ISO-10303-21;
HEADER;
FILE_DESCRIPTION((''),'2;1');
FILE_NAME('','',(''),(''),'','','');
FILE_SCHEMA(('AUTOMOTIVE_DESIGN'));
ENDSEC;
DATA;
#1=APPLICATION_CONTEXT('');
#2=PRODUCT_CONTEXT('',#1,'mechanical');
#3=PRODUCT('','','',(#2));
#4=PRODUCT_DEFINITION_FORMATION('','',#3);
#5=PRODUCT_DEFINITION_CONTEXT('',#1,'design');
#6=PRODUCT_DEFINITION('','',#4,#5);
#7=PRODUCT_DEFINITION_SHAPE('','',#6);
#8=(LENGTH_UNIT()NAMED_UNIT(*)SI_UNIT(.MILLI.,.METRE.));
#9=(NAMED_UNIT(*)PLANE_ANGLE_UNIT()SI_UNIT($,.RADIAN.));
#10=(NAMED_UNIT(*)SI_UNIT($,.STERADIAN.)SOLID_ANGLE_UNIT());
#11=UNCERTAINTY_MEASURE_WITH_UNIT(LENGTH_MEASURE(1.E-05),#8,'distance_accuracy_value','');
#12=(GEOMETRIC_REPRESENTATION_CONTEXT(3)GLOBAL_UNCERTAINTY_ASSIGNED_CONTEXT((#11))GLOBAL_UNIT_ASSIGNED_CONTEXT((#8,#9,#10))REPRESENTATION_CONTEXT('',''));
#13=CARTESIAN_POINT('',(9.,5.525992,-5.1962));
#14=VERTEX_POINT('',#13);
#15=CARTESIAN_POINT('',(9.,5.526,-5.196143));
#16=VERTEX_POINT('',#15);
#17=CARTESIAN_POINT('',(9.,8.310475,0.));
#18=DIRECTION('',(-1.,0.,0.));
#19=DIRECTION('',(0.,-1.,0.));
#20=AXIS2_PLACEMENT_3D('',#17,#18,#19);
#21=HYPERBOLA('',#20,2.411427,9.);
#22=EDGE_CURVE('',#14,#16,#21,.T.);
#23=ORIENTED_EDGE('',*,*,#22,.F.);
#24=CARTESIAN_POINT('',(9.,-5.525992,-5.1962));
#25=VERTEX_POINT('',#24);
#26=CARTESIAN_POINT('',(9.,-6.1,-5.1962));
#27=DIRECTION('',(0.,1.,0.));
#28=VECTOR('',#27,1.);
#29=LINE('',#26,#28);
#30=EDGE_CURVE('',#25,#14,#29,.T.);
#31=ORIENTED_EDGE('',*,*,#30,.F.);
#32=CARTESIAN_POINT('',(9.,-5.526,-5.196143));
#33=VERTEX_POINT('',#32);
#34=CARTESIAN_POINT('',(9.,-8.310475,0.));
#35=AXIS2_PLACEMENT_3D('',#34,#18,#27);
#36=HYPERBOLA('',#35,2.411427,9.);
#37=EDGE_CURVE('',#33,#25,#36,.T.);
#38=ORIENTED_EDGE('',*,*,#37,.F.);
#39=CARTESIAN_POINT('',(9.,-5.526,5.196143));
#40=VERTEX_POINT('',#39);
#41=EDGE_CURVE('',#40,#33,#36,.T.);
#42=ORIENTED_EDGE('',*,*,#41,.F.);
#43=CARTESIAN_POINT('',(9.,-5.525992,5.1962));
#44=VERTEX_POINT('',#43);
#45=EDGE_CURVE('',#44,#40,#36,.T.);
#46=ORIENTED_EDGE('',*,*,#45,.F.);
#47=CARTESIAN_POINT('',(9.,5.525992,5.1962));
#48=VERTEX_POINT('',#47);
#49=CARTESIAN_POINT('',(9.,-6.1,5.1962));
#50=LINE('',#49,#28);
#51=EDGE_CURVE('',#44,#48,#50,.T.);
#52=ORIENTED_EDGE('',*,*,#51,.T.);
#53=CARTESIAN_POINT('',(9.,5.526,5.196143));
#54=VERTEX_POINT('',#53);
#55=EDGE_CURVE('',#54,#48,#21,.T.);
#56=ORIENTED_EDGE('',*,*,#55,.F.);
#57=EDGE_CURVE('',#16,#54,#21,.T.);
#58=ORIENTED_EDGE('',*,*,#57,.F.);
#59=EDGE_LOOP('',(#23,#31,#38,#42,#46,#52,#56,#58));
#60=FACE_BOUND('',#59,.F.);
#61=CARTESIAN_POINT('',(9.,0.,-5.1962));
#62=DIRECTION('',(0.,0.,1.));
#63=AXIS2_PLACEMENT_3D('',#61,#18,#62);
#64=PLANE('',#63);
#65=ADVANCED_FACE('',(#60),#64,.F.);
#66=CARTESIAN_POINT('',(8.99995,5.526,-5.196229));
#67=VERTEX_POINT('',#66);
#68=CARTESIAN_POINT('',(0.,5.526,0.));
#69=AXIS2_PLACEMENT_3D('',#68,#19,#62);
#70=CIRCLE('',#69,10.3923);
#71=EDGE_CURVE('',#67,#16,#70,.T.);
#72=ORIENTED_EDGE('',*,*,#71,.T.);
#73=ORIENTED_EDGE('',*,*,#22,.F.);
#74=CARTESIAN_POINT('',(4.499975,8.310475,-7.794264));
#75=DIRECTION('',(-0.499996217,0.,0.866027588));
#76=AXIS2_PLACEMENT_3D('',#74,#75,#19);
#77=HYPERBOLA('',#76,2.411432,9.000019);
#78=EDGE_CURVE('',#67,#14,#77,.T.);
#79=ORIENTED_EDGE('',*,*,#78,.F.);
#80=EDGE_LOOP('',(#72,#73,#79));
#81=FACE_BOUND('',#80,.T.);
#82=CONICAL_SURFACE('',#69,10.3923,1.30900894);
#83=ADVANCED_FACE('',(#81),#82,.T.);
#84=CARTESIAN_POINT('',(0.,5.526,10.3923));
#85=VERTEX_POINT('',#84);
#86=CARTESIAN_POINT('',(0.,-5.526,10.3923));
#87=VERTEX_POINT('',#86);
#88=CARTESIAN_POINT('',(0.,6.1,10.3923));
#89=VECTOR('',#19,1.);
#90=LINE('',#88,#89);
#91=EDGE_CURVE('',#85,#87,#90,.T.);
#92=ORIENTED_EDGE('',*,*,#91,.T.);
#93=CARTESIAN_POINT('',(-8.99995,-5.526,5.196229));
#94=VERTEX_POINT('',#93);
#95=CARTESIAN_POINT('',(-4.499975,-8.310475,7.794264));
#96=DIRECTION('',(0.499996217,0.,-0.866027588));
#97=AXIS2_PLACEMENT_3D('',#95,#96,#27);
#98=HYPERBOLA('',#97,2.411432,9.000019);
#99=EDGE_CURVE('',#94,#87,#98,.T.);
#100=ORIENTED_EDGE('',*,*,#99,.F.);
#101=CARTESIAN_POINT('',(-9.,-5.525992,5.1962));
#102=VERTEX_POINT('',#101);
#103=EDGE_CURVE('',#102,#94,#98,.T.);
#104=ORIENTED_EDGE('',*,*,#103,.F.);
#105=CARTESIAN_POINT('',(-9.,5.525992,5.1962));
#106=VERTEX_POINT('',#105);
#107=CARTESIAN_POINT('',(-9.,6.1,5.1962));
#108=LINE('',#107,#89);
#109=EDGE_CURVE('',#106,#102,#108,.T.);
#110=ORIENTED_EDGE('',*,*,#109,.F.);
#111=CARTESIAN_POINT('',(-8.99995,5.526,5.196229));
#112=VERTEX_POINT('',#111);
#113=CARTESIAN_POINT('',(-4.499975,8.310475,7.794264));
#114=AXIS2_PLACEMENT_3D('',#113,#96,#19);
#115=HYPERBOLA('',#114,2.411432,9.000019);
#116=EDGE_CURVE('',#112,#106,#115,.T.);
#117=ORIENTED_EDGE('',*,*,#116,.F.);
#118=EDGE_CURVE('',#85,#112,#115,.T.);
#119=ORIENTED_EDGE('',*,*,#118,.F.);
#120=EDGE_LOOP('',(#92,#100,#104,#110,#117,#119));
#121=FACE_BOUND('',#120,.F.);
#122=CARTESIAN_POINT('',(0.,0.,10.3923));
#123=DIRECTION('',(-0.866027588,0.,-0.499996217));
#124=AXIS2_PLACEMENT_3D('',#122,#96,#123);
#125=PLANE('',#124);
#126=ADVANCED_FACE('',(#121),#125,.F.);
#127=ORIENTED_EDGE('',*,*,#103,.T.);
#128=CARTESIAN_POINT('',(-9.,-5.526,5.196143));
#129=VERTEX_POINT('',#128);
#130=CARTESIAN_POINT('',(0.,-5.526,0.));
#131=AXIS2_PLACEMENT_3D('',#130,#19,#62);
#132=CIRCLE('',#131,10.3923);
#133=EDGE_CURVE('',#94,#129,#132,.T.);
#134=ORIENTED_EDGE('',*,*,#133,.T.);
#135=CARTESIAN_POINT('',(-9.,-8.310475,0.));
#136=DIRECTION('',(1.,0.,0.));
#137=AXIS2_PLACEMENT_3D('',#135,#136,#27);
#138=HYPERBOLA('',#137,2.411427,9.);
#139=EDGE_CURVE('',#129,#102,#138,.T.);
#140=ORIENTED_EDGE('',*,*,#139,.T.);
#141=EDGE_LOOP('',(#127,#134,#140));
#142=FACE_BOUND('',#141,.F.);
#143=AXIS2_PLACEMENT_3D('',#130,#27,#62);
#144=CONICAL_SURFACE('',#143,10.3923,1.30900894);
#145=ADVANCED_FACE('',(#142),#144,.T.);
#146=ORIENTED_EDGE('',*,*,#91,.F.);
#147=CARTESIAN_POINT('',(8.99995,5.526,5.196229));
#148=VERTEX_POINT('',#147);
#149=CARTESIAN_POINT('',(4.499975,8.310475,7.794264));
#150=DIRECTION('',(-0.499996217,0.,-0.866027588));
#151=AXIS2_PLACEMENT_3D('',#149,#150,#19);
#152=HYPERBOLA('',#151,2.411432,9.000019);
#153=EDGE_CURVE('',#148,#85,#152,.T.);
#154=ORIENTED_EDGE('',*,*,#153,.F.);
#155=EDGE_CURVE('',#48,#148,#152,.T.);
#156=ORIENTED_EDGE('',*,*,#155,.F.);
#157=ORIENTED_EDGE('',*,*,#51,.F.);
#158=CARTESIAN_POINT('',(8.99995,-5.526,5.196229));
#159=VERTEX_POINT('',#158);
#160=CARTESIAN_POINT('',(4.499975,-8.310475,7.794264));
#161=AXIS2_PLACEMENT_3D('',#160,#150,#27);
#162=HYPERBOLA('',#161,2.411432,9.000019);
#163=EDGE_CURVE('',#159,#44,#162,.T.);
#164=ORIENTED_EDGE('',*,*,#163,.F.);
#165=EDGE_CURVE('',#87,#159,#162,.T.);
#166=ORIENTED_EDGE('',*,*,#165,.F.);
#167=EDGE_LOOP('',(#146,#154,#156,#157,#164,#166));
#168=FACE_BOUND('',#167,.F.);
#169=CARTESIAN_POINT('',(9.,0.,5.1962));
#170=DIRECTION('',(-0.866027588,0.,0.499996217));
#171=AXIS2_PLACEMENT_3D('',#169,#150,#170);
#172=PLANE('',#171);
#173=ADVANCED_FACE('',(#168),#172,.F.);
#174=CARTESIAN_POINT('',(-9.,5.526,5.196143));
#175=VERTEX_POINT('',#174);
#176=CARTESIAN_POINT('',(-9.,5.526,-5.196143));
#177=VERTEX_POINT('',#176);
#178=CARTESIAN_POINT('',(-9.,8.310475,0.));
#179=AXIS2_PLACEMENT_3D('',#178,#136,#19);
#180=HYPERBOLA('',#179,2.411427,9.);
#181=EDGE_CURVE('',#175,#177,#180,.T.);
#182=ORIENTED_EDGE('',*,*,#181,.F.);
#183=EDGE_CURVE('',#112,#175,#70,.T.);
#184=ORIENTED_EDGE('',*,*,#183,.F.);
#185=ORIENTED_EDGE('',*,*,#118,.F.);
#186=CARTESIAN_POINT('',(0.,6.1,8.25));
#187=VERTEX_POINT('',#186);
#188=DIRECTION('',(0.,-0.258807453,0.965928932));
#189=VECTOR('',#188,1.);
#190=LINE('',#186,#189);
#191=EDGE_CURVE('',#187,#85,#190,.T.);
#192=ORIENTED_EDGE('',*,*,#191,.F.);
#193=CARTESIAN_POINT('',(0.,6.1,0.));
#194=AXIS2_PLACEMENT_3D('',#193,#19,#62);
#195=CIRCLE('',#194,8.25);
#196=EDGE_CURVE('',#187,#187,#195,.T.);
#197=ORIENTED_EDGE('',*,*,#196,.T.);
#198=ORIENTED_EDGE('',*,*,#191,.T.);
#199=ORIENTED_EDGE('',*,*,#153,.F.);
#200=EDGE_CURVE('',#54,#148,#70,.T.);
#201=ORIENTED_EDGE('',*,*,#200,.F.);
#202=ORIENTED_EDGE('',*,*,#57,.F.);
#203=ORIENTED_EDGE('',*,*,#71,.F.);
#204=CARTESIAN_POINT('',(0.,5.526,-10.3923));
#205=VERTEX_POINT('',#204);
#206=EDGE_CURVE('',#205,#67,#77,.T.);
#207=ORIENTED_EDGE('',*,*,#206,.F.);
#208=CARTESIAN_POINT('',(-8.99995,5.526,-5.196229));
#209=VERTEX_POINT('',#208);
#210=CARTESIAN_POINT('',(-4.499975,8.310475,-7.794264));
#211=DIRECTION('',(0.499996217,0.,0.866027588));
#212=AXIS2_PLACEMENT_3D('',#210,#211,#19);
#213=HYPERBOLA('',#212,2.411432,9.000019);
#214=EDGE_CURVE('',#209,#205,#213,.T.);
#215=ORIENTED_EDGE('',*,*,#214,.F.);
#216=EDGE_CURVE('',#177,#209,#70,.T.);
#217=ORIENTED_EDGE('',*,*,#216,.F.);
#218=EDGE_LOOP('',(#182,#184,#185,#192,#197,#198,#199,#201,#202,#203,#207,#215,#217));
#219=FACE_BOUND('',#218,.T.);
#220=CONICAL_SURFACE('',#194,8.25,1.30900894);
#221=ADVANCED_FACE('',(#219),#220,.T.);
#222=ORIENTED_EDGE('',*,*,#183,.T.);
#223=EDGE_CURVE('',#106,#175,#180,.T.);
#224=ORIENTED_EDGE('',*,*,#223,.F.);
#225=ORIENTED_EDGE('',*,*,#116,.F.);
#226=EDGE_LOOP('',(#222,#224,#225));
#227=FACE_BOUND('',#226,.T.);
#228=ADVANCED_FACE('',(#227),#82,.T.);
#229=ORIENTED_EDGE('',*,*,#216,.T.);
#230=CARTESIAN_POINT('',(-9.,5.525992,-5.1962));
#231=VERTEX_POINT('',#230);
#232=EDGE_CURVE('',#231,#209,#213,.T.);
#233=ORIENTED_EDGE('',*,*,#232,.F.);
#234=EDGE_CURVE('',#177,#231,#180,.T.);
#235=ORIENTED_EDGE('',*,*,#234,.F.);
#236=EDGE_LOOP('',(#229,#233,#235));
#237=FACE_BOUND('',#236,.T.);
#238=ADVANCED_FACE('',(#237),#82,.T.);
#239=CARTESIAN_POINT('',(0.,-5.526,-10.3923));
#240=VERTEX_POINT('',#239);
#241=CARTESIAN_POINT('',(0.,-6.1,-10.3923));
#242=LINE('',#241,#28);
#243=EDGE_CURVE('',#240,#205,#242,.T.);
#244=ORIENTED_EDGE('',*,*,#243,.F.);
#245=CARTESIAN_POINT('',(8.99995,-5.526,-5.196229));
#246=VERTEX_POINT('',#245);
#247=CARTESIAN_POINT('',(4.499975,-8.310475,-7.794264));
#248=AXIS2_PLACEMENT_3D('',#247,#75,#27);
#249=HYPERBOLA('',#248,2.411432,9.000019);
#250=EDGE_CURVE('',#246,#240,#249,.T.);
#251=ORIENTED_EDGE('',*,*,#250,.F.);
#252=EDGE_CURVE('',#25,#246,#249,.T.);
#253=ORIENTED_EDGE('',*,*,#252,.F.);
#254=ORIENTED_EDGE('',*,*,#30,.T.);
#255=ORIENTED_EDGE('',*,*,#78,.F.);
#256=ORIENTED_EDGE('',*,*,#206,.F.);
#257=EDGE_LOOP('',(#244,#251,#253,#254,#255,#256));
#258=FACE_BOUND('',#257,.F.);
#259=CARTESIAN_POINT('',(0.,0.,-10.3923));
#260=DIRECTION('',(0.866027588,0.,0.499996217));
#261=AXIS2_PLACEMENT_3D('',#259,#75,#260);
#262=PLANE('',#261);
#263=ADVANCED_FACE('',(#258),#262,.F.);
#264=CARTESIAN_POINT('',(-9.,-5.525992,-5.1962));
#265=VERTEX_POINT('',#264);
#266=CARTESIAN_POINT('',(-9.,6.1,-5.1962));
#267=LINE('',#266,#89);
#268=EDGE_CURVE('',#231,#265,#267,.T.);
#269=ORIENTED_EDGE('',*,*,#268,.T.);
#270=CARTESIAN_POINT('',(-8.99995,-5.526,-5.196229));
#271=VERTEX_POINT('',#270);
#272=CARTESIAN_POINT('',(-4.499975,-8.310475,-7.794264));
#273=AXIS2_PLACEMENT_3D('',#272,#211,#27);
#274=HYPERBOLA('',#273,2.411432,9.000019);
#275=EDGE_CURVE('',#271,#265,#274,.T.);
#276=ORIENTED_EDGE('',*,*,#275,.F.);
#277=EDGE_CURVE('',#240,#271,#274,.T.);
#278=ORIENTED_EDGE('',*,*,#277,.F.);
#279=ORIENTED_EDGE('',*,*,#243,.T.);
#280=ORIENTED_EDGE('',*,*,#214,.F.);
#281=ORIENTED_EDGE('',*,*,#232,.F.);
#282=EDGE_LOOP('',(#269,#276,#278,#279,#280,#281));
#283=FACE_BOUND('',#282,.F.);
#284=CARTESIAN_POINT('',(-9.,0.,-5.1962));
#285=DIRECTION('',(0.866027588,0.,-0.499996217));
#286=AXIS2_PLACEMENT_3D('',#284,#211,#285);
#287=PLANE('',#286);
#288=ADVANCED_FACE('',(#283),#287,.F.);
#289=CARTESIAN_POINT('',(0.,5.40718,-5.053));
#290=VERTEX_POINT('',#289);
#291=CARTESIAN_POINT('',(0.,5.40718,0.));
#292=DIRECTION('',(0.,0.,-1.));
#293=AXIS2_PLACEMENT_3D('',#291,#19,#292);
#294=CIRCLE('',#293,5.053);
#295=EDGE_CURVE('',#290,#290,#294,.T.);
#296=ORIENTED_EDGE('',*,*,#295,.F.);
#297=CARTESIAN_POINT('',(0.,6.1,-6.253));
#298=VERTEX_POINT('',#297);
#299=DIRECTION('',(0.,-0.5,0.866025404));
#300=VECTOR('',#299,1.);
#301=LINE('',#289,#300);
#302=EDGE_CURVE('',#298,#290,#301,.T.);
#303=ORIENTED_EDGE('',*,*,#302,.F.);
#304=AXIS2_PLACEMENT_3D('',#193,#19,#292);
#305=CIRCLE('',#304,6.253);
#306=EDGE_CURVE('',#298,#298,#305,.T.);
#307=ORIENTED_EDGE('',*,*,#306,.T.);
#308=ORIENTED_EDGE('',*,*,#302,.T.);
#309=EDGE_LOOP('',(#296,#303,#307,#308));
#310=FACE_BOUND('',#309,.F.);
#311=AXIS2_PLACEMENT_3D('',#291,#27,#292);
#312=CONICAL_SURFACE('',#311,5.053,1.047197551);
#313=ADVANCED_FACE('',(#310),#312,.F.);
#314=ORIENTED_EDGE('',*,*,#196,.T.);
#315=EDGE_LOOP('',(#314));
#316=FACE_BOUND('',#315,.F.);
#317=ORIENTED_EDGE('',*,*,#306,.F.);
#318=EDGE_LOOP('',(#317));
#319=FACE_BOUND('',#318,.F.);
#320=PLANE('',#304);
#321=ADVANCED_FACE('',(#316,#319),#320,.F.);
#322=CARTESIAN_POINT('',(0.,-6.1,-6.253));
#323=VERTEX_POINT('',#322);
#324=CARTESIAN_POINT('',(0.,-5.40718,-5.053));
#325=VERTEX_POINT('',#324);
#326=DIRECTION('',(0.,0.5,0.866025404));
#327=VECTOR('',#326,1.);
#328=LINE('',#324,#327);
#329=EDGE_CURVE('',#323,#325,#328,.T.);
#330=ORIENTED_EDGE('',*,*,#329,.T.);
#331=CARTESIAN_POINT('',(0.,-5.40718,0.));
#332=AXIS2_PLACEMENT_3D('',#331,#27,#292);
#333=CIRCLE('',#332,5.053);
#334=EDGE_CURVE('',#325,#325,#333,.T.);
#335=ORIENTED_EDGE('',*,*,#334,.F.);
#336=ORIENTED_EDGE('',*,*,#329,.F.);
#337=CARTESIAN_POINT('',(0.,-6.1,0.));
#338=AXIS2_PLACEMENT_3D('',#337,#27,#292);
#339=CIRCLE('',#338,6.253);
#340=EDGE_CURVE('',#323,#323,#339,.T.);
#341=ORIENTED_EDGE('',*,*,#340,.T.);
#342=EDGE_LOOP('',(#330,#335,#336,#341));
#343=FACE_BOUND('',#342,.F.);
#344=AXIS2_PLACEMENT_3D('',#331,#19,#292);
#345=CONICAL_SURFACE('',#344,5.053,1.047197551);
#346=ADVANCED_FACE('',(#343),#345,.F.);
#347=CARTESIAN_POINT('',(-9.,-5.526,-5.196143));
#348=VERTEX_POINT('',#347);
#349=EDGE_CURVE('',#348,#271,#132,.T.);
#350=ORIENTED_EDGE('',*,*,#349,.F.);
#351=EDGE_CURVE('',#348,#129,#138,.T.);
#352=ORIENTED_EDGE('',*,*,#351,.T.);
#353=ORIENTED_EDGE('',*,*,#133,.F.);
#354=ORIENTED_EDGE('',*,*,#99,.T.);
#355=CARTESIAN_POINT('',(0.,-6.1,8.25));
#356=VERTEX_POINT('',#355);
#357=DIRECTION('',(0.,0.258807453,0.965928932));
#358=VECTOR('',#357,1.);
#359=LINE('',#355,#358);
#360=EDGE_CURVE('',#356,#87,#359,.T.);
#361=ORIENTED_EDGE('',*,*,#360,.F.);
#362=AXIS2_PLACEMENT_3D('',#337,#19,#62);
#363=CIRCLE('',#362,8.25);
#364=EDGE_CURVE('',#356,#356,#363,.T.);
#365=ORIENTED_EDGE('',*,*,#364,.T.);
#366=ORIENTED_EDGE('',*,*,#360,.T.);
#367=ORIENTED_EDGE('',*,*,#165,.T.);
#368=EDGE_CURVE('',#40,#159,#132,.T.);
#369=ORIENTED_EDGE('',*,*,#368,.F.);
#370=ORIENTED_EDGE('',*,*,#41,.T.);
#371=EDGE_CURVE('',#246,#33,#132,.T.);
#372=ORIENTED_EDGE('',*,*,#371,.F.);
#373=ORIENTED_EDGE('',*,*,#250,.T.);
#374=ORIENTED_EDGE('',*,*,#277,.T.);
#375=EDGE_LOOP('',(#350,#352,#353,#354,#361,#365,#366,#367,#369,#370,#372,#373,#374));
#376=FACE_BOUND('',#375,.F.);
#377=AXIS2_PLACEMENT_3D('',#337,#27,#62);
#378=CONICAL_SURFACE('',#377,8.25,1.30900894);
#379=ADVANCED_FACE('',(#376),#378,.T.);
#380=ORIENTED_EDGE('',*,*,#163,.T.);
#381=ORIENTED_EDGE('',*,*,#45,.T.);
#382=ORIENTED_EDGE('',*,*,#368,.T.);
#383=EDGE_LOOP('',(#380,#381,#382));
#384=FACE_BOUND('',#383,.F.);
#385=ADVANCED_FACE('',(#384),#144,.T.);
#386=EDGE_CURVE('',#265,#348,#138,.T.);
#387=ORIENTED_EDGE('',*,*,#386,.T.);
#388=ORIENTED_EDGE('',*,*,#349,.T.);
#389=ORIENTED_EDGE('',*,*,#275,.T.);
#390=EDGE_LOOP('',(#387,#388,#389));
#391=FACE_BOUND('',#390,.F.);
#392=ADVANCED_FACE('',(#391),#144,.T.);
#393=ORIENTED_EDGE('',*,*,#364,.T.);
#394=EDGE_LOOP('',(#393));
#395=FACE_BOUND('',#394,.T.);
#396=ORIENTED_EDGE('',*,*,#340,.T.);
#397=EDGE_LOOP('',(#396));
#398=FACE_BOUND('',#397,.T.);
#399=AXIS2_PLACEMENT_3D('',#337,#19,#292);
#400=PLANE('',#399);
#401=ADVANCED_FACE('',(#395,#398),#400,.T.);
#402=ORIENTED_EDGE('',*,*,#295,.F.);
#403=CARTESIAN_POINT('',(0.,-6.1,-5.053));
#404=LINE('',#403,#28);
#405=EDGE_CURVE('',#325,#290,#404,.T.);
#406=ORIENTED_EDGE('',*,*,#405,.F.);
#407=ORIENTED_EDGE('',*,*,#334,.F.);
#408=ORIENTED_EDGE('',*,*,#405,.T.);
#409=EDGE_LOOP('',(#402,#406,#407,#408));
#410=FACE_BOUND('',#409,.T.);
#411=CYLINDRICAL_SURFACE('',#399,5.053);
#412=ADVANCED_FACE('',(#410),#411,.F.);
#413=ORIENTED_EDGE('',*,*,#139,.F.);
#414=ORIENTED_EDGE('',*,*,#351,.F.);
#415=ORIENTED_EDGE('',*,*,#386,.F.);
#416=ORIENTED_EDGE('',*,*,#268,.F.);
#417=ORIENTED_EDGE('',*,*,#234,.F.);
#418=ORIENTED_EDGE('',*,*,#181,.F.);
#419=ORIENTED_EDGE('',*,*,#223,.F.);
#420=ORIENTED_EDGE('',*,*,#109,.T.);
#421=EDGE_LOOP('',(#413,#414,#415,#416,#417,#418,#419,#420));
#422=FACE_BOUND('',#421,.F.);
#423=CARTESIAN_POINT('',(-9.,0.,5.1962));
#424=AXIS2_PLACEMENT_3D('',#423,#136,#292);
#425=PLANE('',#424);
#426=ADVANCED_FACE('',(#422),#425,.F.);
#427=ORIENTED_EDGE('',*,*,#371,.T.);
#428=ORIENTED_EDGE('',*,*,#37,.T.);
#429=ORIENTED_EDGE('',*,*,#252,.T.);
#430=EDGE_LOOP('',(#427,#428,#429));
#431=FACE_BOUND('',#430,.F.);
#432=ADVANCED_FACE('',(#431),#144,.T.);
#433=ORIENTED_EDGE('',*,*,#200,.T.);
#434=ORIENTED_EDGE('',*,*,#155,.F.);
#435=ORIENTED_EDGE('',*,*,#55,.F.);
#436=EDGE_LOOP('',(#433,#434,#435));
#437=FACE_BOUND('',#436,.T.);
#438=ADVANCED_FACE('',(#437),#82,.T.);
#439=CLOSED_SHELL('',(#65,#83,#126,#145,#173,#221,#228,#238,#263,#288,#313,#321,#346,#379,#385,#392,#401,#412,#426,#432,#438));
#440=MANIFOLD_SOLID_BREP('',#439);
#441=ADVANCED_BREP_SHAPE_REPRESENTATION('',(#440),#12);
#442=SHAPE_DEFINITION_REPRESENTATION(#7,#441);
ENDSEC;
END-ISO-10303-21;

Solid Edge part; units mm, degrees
sketch "Sketch1" plane through (0, 0, 0) normal (0, -1, 0) x (1, 0, 0)
  line L0 (9, 5.1962) -> (0, 10.3923)
  line L1 (0, 10.3923) -> (-9, 5.1962)
  line L2 (-9, 5.1962) -> (-9, -5.1962)
  line L3 (-9, -5.1962) -> (0, -10.3923)
  line L4 (0, -10.3923) -> (9, -5.1962)
  line L5 (9, -5.1962) -> (9, 5.1962)
extrude "Protrusion1" add sketch "Sketch1" along normal mid plane 12.2
sketch "Sketch2" plane through (0, 0, 0) normal (1, 0, 0) x (0, 1, 0)
  line L0 (-6.1, 8.25) -> (-5.526, 10.3923)
revolve "RevolvedCutout1" cut sketch "Sketch2" angle 360 about axis through (0, 0, 0) along (0, -1, 0) material side at (0, -5.8613, 9.3341)
mirror "Mirror1" about plane through (0, 0, 0) normal (0, -1, 0) of "RevolvedCutout1"
hole "孔_7" at (0, -6.1, 0) direction (0, 1, 0) diameter 10.106 end up to next start chamfer 1.2 start chamfer angle 60 end chamfer 1.2 end chamfer angle 60
